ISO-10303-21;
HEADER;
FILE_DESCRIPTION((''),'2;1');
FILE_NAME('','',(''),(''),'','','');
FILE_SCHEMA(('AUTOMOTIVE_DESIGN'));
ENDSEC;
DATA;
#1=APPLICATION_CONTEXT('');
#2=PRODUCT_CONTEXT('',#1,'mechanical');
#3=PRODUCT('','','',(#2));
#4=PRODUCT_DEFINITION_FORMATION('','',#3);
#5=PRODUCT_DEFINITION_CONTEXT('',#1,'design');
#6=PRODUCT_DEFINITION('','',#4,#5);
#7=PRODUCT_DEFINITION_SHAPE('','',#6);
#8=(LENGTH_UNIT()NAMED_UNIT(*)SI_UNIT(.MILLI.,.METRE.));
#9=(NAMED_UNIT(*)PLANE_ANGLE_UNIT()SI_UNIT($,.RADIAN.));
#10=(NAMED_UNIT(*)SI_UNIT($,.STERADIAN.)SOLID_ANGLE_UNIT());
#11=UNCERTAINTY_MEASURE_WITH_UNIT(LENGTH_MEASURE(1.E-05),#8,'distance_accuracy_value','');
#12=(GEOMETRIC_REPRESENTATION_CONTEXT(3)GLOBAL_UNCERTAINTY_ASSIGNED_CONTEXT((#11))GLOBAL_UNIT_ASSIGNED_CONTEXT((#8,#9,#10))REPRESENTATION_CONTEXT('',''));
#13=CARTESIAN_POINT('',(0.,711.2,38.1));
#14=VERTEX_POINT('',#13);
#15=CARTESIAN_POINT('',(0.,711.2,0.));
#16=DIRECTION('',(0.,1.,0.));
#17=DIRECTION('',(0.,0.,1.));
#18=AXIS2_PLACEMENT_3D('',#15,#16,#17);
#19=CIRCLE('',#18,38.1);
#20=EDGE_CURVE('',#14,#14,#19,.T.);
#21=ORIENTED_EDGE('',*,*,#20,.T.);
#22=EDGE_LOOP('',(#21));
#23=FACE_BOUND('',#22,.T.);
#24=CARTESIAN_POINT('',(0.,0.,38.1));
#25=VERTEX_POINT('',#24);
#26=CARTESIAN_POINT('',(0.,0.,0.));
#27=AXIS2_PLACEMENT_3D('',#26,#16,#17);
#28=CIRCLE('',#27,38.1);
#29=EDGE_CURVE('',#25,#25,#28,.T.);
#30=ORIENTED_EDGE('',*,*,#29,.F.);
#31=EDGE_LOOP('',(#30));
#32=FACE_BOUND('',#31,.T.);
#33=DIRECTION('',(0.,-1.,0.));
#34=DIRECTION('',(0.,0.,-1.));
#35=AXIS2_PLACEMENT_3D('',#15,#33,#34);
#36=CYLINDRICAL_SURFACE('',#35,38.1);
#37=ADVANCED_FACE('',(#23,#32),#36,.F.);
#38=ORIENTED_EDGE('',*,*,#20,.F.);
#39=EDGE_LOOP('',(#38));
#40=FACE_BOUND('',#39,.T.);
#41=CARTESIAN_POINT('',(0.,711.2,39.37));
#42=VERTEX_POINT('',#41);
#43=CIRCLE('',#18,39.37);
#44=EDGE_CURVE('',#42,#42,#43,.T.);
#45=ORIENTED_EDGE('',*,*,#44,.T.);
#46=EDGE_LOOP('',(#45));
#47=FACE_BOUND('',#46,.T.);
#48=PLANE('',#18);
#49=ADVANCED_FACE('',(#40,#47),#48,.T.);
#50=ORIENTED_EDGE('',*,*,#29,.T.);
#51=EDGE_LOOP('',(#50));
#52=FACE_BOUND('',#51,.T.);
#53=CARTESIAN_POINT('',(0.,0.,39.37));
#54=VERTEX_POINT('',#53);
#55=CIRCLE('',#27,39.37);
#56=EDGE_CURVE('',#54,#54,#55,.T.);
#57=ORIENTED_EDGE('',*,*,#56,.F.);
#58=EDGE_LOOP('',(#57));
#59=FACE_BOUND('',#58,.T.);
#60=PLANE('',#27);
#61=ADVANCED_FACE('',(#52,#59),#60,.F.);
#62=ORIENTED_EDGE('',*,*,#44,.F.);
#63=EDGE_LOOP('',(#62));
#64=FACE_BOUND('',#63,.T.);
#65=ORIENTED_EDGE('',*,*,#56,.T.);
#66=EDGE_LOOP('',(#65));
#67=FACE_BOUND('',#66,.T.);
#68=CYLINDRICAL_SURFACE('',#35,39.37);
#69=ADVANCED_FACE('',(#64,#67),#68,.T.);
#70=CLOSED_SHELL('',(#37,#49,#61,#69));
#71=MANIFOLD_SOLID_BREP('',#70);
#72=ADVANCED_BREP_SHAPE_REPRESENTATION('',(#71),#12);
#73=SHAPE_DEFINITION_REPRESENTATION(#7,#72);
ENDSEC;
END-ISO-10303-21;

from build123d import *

# Parameters (mm, degrees)
SKETCH1_R            = 39.37
SKETCH1_R_2          = 38.1
TUBE_EXTRUSION_DEPTH = 711.2


with BuildPart() as part:
    # Sketch1 → Tube Extrusion (new body)
    with BuildSketch(Plane(origin=(0, 0, 0), x_dir=(1, 0, 0), z_dir=(0, 1, 0))):
        with Locations(Location((0, 0, 0), (0, 0, 270))):
            Circle(SKETCH1_R)
        with Locations(Location((0, 0, 0), (0, 0, 270))):
            Circle(SKETCH1_R_2, mode=Mode.SUBTRACT)
    extrude(amount=TUBE_EXTRUSION_DEPTH)


solid = part.part
